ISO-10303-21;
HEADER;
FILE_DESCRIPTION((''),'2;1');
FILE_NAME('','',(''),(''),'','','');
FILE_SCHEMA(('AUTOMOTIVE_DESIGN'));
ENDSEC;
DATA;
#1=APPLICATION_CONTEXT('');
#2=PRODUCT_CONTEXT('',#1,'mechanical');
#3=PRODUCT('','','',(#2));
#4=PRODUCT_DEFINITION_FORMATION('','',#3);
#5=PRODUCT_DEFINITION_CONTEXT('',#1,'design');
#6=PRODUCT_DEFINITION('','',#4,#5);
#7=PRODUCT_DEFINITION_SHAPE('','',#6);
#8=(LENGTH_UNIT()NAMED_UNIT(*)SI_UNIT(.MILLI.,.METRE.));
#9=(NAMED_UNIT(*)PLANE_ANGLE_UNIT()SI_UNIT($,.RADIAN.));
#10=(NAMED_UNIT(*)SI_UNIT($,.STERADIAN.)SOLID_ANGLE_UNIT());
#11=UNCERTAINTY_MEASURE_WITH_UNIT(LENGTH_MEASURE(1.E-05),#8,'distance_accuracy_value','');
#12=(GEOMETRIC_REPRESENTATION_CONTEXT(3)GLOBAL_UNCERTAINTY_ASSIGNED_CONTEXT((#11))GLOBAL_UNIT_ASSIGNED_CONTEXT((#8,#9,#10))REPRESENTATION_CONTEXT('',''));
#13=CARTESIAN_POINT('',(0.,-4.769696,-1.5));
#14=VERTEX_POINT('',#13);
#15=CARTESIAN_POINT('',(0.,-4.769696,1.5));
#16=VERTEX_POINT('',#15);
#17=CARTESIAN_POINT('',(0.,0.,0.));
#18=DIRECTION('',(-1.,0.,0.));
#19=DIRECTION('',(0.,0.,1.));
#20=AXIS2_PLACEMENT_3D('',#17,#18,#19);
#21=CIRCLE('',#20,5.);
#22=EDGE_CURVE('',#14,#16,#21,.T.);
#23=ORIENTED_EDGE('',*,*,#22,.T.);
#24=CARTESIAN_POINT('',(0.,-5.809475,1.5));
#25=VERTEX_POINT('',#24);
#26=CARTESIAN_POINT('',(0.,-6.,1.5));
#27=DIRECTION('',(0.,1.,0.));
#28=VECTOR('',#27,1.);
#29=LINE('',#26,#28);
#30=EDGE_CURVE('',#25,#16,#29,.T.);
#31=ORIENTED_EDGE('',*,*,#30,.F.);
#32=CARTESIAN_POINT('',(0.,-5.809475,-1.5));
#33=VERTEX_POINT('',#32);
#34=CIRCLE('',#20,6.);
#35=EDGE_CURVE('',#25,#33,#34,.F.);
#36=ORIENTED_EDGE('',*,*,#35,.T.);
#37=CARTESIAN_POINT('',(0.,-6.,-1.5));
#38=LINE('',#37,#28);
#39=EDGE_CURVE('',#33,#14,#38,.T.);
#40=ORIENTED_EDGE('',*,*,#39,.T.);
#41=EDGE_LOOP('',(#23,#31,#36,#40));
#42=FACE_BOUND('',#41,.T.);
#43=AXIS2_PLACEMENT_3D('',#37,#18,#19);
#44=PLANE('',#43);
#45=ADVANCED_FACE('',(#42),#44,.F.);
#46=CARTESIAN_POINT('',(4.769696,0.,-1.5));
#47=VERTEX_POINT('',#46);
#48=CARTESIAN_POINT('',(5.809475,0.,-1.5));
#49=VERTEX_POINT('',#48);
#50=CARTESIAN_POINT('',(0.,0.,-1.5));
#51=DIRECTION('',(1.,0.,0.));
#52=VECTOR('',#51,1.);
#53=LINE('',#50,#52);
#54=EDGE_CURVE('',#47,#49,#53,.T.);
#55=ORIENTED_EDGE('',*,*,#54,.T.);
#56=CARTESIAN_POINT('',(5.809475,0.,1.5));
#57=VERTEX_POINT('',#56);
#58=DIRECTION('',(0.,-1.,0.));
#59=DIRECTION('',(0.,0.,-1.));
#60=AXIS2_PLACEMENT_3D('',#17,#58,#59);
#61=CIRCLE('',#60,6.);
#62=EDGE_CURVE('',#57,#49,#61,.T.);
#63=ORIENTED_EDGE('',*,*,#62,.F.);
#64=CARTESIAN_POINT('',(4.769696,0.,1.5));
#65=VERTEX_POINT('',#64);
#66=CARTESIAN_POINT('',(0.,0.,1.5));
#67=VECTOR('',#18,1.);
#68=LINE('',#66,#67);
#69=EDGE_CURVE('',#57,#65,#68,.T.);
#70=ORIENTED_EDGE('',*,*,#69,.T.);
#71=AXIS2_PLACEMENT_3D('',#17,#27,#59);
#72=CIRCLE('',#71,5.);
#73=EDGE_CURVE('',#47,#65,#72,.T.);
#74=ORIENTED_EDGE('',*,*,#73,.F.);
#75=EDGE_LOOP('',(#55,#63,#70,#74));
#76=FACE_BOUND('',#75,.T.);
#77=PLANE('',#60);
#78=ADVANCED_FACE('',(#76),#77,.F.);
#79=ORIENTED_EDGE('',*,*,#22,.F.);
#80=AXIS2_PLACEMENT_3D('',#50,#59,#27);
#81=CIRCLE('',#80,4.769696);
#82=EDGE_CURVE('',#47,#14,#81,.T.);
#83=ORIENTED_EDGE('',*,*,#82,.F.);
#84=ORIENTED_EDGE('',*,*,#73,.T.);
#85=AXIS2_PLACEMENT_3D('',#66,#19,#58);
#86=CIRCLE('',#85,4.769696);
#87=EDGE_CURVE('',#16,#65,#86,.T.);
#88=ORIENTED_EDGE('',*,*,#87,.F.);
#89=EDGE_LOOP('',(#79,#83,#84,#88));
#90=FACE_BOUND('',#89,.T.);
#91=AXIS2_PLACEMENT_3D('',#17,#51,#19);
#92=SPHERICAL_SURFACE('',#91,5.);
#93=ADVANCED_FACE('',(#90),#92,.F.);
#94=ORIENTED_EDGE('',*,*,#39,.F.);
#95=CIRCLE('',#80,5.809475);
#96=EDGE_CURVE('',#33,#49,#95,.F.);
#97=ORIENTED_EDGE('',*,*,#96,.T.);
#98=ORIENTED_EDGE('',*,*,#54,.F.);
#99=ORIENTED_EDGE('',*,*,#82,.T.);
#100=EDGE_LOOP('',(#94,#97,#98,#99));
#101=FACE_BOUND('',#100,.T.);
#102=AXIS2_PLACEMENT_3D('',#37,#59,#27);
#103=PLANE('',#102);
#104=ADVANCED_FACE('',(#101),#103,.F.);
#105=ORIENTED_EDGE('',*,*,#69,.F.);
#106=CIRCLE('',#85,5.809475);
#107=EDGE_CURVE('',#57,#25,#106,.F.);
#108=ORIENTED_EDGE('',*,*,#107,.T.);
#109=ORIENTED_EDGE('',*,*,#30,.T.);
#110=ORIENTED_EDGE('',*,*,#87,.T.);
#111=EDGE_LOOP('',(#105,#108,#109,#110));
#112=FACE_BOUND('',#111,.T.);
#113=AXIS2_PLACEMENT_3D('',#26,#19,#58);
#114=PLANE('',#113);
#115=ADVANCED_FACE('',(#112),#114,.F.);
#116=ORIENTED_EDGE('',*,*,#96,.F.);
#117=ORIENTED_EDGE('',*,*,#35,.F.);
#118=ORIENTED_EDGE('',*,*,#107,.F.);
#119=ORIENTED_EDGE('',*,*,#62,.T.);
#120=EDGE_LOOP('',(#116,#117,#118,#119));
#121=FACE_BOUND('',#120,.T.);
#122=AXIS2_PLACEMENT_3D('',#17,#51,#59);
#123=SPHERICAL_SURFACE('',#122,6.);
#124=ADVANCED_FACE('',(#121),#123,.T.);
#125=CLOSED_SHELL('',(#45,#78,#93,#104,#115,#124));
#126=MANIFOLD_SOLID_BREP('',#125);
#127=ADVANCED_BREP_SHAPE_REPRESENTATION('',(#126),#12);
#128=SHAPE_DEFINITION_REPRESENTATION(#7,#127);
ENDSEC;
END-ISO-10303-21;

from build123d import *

# Parameters (mm, degrees)
REVOLVE1_ANGLE     = 180
SKETCH2_W          = 6
SKETCH2_H          = 3
CUT_EXTRUDE1_DEPTH = 11.392304845


with BuildPart() as part:
    # Sketch1 → Revolve1 (revolve)
    with BuildSketch(Plane(origin=(0, 0, 0), x_dir=(1, 0, 0), z_dir=(0, 1, 0))):
        with BuildLine():
            Line((-5, 0), (-6, 0))
            ThreePointArc((-6, 0), (0, 6), (6, 0))
            Line((6, 0), (5, 0))
            ThreePointArc((5, 0), (0, 5), (-5, 0))
        make_face()
    revolve(axis=Axis((-5, 0, 0), (-1, 0, 0)), revolution_arc=REVOLVE1_ANGLE)

    # Sketch2 → Cut-Extrude1 (cut, through all)
    with BuildSketch(Plane(origin=(0, 0, 0), x_dir=(1, 0, 0), z_dir=(0, 1, 0))):
        with Locations((3, 0)):
            Rectangle(SKETCH2_W, SKETCH2_H)
    extrude(amount=-CUT_EXTRUDE1_DEPTH, mode=Mode.SUBTRACT)


solid = part.part
